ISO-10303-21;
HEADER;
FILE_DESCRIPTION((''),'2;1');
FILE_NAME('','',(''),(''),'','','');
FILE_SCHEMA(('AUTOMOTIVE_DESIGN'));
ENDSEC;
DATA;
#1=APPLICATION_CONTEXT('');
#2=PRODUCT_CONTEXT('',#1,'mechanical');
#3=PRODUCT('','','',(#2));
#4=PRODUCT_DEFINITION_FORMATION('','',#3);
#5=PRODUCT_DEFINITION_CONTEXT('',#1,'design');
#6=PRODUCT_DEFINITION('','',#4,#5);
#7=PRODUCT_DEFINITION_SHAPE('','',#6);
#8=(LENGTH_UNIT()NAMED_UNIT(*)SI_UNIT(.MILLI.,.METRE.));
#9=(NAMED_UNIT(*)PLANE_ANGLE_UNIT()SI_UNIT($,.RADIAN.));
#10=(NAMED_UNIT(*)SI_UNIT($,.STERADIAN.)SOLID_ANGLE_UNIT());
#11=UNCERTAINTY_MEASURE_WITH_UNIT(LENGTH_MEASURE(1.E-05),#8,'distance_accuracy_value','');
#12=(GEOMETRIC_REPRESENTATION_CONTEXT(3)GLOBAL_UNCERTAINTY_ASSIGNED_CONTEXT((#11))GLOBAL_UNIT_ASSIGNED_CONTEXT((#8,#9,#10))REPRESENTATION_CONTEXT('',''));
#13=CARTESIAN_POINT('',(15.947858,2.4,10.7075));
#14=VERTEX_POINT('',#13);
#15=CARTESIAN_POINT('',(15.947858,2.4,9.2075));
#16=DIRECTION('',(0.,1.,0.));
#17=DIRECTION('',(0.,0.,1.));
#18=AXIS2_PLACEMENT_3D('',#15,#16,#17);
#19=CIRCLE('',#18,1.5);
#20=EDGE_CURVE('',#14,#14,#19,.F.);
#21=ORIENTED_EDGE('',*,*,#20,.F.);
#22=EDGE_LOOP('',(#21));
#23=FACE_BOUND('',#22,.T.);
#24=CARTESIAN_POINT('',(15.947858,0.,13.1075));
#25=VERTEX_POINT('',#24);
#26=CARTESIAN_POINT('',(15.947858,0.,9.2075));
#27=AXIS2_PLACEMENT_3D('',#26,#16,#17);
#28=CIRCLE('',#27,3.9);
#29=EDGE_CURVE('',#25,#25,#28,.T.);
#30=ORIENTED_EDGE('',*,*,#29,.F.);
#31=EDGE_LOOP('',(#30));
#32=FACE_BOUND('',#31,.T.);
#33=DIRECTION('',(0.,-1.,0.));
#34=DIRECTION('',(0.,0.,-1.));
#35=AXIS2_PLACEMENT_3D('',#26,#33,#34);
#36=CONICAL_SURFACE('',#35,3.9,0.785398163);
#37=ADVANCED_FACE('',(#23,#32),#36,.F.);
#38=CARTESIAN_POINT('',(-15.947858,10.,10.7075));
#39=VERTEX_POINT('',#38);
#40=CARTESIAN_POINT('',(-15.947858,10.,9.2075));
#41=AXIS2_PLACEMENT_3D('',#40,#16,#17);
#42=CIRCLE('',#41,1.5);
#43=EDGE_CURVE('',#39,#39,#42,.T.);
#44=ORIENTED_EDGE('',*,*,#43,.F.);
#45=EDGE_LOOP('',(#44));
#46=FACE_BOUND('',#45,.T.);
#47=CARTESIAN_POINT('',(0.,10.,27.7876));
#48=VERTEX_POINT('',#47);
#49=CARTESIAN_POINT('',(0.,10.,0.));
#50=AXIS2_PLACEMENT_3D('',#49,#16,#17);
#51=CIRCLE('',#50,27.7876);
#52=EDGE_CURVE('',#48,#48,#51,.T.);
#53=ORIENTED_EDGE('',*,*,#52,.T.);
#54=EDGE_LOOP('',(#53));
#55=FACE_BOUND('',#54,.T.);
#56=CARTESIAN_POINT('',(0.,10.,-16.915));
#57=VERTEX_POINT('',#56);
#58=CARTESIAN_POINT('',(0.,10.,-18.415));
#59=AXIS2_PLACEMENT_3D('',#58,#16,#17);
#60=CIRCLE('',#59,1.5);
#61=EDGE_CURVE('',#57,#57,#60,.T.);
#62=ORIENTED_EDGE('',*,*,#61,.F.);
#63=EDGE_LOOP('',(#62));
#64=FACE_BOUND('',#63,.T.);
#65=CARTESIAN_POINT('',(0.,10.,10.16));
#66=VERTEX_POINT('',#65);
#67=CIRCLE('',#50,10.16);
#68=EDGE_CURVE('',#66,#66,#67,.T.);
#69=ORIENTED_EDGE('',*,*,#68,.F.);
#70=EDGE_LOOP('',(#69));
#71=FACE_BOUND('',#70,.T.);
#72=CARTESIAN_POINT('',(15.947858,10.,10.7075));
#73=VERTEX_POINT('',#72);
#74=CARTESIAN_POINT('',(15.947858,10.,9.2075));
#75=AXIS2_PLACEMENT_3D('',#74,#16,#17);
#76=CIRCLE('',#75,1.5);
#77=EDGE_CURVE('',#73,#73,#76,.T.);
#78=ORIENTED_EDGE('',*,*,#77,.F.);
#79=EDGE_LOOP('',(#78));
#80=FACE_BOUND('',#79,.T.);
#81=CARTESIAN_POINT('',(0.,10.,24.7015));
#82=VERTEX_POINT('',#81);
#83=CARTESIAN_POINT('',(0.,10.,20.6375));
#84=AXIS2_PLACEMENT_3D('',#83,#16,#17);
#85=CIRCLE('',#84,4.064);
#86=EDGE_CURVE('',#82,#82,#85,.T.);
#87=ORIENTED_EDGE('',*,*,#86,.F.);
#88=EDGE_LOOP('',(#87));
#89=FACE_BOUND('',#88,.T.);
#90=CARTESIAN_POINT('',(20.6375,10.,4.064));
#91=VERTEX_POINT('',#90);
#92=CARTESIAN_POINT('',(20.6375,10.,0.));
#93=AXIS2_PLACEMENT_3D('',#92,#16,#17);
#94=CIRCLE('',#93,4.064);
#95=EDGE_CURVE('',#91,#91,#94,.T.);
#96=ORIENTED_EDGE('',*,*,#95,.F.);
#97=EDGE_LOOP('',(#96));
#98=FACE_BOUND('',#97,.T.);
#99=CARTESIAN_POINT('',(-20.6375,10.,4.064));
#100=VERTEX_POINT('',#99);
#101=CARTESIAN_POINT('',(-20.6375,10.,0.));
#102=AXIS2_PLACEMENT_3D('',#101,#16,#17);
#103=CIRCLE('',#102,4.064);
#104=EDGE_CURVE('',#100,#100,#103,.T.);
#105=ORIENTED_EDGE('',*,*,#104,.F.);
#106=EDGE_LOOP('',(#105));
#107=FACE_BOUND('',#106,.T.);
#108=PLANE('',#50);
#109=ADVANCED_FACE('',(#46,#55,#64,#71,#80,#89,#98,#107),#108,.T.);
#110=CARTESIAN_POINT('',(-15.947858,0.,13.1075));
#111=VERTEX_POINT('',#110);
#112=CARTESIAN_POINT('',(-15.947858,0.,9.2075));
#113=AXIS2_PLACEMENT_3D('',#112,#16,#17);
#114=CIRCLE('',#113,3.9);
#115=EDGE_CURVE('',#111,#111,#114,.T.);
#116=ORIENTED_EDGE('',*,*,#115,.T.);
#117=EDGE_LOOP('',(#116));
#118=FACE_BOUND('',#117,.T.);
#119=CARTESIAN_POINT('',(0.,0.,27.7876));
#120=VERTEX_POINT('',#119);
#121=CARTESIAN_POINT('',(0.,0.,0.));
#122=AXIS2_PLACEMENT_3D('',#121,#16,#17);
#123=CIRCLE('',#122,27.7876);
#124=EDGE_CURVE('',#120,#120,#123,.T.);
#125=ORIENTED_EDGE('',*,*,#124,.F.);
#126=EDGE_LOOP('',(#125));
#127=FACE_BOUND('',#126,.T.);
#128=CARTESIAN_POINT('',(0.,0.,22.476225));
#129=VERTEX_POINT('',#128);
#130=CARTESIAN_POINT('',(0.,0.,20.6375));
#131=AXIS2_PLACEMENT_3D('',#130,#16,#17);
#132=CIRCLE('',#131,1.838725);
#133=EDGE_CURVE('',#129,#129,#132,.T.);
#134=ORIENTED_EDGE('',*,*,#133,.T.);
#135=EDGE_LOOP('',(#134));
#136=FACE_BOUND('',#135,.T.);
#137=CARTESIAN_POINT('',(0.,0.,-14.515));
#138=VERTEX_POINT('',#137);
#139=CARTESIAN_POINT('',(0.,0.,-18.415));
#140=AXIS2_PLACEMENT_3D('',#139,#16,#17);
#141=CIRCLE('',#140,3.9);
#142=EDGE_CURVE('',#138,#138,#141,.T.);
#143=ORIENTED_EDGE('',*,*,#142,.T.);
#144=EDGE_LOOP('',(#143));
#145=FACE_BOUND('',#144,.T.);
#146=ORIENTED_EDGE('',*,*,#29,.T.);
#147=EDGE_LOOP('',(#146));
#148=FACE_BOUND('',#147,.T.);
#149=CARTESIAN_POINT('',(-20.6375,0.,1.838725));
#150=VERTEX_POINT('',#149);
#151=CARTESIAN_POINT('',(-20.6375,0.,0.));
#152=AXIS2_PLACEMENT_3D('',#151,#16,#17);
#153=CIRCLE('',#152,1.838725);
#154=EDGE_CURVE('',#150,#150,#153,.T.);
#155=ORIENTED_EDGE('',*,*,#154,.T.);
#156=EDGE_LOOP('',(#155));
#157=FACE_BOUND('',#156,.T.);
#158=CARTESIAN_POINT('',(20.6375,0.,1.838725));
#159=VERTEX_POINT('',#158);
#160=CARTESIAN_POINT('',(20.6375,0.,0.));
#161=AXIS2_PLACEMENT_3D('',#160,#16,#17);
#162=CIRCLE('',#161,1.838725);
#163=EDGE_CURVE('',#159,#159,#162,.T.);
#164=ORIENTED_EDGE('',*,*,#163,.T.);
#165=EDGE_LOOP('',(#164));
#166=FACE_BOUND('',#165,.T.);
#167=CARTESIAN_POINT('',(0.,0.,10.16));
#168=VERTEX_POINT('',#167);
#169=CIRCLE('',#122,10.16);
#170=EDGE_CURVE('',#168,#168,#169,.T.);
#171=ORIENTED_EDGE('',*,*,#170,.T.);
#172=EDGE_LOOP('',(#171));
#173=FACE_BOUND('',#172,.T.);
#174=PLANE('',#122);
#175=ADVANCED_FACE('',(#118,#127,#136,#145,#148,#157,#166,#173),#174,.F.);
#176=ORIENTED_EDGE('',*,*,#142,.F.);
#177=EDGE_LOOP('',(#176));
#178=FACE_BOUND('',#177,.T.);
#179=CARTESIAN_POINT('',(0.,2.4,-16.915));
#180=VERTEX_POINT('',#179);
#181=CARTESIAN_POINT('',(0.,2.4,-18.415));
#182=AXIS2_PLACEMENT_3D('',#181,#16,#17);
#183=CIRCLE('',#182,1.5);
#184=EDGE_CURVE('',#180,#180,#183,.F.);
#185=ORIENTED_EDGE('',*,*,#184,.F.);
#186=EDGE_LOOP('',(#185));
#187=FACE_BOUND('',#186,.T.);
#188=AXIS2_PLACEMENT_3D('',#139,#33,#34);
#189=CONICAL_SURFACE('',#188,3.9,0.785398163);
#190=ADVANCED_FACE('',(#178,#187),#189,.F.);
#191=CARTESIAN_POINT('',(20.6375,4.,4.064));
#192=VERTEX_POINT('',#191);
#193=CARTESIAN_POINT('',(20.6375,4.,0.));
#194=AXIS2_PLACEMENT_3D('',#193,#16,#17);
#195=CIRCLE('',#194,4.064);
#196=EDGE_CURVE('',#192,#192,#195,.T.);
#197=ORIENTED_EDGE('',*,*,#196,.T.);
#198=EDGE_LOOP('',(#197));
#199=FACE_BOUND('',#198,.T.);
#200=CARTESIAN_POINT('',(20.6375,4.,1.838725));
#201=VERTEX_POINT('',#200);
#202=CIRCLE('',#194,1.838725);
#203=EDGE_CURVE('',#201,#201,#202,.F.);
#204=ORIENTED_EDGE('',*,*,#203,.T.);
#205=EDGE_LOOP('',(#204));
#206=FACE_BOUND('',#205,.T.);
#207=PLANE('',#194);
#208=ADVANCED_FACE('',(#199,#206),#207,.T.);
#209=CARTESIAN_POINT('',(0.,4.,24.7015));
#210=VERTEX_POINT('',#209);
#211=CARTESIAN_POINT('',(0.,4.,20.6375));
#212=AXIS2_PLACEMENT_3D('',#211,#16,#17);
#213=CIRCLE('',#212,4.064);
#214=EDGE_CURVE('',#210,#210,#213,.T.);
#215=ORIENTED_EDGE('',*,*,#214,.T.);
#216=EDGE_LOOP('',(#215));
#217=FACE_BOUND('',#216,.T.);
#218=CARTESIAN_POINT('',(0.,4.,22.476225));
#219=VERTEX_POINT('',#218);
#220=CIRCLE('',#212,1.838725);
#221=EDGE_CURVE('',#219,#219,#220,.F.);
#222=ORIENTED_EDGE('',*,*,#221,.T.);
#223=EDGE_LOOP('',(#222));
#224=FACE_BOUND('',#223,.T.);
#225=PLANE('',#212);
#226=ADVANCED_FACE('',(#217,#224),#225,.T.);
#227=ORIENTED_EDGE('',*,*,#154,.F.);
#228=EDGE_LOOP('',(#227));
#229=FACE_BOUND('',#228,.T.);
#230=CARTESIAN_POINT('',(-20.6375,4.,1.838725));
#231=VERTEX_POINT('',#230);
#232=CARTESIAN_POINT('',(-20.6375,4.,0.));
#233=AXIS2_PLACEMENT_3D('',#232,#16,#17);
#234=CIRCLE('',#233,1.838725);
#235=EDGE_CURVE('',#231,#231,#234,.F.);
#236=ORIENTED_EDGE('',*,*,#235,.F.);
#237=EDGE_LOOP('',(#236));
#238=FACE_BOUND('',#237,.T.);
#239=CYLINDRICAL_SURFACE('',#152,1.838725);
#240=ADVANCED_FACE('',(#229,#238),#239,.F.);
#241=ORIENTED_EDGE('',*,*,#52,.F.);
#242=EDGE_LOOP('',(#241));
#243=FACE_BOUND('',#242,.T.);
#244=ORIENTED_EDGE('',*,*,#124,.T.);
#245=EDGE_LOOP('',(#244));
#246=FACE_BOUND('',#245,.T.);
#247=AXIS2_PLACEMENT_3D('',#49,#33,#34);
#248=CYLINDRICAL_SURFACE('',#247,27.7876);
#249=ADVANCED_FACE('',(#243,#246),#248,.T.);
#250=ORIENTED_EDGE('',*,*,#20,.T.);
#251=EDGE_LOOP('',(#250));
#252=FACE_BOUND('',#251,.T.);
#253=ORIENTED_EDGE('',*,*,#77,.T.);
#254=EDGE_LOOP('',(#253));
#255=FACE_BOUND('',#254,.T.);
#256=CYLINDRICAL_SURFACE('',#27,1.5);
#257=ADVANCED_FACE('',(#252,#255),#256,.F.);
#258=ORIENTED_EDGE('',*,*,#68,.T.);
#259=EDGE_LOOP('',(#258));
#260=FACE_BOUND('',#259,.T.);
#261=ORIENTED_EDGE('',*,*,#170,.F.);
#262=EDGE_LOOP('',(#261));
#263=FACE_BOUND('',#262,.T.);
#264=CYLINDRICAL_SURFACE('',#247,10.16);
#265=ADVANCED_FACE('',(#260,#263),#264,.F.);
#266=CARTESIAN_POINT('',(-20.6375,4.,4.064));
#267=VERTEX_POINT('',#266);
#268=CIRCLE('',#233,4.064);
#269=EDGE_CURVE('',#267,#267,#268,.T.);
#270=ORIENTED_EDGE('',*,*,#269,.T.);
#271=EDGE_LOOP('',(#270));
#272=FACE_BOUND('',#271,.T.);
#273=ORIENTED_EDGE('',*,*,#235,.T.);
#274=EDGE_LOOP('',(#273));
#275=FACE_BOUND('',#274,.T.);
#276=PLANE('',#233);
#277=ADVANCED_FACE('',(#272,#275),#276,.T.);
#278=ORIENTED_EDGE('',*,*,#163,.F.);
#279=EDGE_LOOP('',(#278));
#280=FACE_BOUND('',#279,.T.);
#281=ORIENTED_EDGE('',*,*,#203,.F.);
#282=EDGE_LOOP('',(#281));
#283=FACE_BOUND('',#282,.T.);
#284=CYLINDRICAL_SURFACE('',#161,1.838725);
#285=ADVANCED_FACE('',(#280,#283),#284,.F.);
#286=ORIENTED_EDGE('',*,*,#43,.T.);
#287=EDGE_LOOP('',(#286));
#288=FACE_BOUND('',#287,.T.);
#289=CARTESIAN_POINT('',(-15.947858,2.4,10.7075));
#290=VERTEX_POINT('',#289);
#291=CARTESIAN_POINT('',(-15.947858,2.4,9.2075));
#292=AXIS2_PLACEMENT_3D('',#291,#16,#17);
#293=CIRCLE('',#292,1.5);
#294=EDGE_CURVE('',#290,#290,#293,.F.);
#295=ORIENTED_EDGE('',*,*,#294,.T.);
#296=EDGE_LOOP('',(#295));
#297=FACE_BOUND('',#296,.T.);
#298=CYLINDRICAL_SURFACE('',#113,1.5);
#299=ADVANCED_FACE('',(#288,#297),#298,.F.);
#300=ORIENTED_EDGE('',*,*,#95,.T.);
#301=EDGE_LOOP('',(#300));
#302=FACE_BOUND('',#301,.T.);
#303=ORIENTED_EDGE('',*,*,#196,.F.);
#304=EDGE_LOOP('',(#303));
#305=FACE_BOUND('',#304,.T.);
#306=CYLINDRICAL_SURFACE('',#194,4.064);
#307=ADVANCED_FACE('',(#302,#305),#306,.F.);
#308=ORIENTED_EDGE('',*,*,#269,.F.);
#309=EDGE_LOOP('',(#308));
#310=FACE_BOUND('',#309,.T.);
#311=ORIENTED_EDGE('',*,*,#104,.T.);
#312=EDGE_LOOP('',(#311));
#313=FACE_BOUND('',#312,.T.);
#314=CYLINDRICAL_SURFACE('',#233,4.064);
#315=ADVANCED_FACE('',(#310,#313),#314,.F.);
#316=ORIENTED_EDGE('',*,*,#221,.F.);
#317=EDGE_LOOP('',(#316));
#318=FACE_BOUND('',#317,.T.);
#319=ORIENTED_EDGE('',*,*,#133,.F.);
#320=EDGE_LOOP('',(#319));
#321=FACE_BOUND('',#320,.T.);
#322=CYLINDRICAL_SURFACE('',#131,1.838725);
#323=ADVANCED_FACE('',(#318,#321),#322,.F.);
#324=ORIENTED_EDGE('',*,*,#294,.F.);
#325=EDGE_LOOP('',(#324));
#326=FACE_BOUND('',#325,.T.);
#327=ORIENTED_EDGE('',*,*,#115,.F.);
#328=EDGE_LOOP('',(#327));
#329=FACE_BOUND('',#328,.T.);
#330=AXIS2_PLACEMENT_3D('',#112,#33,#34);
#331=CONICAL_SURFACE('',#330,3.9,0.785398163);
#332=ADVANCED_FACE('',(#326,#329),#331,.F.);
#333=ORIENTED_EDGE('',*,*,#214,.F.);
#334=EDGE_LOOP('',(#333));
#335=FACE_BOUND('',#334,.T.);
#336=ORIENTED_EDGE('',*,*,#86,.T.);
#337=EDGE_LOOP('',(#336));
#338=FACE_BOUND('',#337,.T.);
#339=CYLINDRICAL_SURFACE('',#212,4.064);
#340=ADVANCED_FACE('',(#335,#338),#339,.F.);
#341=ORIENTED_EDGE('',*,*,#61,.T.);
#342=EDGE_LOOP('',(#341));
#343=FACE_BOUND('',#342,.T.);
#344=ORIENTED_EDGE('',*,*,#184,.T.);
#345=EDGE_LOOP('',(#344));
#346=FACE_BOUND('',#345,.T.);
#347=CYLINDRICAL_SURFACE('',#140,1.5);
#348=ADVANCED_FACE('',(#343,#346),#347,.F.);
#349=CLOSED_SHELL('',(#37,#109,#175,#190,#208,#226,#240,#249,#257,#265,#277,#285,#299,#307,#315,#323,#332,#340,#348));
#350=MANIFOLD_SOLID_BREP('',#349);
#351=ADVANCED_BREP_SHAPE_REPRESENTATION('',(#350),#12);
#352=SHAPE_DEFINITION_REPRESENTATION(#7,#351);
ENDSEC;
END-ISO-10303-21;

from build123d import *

# Parameters (mm, degrees)
SKETCH1_R               = 27.7876
SKETCH1_R_2             = 10.16
RING_DEPTH              = 10
SKETCH2_R               = 1.5
ROBOT_SIDE1_HOLES_DEPTH = 11
ROBOT_SIDE_CHAMFER_SIZE = 2.4
SKETCH3_R               = 1.838724863
TOOL_SIDE_HOLES_DEPTH   = 11
SKETCH4_R               = 4.064
TOOL_SIDE_INSET_DEPTH   = 6


with BuildPart() as part:
    # Sketch1 → Ring (new body)
    with BuildSketch(Plane(origin=(0, 0, 0), x_dir=(1, 0, 0), z_dir=(0, 1, 0))):
        Circle(SKETCH1_R)
        Circle(SKETCH1_R_2, mode=Mode.SUBTRACT)
    extrude(amount=RING_DEPTH)

    # Sketch2 → Robot Side1 - Holes (cut, through all)
    with BuildSketch(Plane(origin=(0, 10, 0), x_dir=(1, 0, 0), z_dir=(0, 1, 0))):
        with Locations((0, 18.415)):
            Circle(SKETCH2_R)
        with Locations((15.947857811, -9.2075)):
            Circle(SKETCH2_R)
        with Locations((-15.947857811, -9.2075)):
            Circle(SKETCH2_R)
    extrude(amount=-ROBOT_SIDE1_HOLES_DEPTH, mode=Mode.SUBTRACT)

    # Robot Side - Chamfer
    robot_side_chamfer_edges = [part.edges().sort_by_distance(p)[0] for p in [
        (-1.5, 0, -18.415),
        (14.447857811, 0, 9.2075),
        (-17.447857811, 0, 9.2075),
    ]]
    chamfer(robot_side_chamfer_edges, length=ROBOT_SIDE_CHAMFER_SIZE)

    # Sketch3 → Tool Side - Holes (cut, through all)
    with BuildSketch(Plane(origin=(0, 10, 0), x_dir=(1, 0, 0), z_dir=(0, 1, 0))):
        with Locations((20.6375, 0)):
            Circle(SKETCH3_R)
        with Locations((0, -20.6375)):
            Circle(SKETCH3_R)
        with Locations((-20.6375, 0)):
            Circle(SKETCH3_R)
    extrude(amount=-TOOL_SIDE_HOLES_DEPTH, mode=Mode.SUBTRACT)

    # Sketch4 → Tool Side - Inset (cut)
    with BuildSketch(Plane(origin=(0, 10, 0), x_dir=(1, 0, 0), z_dir=(0, 1, 0))):
        with Locations((-20.6375, 0)):
            Circle(SKETCH4_R)
        with Locations((0, -20.6375)):
            Circle(SKETCH4_R)
        with Locations((20.6375, 0)):
            Circle(SKETCH4_R)
    extrude(amount=-TOOL_SIDE_INSET_DEPTH, mode=Mode.SUBTRACT)


solid = part.part
